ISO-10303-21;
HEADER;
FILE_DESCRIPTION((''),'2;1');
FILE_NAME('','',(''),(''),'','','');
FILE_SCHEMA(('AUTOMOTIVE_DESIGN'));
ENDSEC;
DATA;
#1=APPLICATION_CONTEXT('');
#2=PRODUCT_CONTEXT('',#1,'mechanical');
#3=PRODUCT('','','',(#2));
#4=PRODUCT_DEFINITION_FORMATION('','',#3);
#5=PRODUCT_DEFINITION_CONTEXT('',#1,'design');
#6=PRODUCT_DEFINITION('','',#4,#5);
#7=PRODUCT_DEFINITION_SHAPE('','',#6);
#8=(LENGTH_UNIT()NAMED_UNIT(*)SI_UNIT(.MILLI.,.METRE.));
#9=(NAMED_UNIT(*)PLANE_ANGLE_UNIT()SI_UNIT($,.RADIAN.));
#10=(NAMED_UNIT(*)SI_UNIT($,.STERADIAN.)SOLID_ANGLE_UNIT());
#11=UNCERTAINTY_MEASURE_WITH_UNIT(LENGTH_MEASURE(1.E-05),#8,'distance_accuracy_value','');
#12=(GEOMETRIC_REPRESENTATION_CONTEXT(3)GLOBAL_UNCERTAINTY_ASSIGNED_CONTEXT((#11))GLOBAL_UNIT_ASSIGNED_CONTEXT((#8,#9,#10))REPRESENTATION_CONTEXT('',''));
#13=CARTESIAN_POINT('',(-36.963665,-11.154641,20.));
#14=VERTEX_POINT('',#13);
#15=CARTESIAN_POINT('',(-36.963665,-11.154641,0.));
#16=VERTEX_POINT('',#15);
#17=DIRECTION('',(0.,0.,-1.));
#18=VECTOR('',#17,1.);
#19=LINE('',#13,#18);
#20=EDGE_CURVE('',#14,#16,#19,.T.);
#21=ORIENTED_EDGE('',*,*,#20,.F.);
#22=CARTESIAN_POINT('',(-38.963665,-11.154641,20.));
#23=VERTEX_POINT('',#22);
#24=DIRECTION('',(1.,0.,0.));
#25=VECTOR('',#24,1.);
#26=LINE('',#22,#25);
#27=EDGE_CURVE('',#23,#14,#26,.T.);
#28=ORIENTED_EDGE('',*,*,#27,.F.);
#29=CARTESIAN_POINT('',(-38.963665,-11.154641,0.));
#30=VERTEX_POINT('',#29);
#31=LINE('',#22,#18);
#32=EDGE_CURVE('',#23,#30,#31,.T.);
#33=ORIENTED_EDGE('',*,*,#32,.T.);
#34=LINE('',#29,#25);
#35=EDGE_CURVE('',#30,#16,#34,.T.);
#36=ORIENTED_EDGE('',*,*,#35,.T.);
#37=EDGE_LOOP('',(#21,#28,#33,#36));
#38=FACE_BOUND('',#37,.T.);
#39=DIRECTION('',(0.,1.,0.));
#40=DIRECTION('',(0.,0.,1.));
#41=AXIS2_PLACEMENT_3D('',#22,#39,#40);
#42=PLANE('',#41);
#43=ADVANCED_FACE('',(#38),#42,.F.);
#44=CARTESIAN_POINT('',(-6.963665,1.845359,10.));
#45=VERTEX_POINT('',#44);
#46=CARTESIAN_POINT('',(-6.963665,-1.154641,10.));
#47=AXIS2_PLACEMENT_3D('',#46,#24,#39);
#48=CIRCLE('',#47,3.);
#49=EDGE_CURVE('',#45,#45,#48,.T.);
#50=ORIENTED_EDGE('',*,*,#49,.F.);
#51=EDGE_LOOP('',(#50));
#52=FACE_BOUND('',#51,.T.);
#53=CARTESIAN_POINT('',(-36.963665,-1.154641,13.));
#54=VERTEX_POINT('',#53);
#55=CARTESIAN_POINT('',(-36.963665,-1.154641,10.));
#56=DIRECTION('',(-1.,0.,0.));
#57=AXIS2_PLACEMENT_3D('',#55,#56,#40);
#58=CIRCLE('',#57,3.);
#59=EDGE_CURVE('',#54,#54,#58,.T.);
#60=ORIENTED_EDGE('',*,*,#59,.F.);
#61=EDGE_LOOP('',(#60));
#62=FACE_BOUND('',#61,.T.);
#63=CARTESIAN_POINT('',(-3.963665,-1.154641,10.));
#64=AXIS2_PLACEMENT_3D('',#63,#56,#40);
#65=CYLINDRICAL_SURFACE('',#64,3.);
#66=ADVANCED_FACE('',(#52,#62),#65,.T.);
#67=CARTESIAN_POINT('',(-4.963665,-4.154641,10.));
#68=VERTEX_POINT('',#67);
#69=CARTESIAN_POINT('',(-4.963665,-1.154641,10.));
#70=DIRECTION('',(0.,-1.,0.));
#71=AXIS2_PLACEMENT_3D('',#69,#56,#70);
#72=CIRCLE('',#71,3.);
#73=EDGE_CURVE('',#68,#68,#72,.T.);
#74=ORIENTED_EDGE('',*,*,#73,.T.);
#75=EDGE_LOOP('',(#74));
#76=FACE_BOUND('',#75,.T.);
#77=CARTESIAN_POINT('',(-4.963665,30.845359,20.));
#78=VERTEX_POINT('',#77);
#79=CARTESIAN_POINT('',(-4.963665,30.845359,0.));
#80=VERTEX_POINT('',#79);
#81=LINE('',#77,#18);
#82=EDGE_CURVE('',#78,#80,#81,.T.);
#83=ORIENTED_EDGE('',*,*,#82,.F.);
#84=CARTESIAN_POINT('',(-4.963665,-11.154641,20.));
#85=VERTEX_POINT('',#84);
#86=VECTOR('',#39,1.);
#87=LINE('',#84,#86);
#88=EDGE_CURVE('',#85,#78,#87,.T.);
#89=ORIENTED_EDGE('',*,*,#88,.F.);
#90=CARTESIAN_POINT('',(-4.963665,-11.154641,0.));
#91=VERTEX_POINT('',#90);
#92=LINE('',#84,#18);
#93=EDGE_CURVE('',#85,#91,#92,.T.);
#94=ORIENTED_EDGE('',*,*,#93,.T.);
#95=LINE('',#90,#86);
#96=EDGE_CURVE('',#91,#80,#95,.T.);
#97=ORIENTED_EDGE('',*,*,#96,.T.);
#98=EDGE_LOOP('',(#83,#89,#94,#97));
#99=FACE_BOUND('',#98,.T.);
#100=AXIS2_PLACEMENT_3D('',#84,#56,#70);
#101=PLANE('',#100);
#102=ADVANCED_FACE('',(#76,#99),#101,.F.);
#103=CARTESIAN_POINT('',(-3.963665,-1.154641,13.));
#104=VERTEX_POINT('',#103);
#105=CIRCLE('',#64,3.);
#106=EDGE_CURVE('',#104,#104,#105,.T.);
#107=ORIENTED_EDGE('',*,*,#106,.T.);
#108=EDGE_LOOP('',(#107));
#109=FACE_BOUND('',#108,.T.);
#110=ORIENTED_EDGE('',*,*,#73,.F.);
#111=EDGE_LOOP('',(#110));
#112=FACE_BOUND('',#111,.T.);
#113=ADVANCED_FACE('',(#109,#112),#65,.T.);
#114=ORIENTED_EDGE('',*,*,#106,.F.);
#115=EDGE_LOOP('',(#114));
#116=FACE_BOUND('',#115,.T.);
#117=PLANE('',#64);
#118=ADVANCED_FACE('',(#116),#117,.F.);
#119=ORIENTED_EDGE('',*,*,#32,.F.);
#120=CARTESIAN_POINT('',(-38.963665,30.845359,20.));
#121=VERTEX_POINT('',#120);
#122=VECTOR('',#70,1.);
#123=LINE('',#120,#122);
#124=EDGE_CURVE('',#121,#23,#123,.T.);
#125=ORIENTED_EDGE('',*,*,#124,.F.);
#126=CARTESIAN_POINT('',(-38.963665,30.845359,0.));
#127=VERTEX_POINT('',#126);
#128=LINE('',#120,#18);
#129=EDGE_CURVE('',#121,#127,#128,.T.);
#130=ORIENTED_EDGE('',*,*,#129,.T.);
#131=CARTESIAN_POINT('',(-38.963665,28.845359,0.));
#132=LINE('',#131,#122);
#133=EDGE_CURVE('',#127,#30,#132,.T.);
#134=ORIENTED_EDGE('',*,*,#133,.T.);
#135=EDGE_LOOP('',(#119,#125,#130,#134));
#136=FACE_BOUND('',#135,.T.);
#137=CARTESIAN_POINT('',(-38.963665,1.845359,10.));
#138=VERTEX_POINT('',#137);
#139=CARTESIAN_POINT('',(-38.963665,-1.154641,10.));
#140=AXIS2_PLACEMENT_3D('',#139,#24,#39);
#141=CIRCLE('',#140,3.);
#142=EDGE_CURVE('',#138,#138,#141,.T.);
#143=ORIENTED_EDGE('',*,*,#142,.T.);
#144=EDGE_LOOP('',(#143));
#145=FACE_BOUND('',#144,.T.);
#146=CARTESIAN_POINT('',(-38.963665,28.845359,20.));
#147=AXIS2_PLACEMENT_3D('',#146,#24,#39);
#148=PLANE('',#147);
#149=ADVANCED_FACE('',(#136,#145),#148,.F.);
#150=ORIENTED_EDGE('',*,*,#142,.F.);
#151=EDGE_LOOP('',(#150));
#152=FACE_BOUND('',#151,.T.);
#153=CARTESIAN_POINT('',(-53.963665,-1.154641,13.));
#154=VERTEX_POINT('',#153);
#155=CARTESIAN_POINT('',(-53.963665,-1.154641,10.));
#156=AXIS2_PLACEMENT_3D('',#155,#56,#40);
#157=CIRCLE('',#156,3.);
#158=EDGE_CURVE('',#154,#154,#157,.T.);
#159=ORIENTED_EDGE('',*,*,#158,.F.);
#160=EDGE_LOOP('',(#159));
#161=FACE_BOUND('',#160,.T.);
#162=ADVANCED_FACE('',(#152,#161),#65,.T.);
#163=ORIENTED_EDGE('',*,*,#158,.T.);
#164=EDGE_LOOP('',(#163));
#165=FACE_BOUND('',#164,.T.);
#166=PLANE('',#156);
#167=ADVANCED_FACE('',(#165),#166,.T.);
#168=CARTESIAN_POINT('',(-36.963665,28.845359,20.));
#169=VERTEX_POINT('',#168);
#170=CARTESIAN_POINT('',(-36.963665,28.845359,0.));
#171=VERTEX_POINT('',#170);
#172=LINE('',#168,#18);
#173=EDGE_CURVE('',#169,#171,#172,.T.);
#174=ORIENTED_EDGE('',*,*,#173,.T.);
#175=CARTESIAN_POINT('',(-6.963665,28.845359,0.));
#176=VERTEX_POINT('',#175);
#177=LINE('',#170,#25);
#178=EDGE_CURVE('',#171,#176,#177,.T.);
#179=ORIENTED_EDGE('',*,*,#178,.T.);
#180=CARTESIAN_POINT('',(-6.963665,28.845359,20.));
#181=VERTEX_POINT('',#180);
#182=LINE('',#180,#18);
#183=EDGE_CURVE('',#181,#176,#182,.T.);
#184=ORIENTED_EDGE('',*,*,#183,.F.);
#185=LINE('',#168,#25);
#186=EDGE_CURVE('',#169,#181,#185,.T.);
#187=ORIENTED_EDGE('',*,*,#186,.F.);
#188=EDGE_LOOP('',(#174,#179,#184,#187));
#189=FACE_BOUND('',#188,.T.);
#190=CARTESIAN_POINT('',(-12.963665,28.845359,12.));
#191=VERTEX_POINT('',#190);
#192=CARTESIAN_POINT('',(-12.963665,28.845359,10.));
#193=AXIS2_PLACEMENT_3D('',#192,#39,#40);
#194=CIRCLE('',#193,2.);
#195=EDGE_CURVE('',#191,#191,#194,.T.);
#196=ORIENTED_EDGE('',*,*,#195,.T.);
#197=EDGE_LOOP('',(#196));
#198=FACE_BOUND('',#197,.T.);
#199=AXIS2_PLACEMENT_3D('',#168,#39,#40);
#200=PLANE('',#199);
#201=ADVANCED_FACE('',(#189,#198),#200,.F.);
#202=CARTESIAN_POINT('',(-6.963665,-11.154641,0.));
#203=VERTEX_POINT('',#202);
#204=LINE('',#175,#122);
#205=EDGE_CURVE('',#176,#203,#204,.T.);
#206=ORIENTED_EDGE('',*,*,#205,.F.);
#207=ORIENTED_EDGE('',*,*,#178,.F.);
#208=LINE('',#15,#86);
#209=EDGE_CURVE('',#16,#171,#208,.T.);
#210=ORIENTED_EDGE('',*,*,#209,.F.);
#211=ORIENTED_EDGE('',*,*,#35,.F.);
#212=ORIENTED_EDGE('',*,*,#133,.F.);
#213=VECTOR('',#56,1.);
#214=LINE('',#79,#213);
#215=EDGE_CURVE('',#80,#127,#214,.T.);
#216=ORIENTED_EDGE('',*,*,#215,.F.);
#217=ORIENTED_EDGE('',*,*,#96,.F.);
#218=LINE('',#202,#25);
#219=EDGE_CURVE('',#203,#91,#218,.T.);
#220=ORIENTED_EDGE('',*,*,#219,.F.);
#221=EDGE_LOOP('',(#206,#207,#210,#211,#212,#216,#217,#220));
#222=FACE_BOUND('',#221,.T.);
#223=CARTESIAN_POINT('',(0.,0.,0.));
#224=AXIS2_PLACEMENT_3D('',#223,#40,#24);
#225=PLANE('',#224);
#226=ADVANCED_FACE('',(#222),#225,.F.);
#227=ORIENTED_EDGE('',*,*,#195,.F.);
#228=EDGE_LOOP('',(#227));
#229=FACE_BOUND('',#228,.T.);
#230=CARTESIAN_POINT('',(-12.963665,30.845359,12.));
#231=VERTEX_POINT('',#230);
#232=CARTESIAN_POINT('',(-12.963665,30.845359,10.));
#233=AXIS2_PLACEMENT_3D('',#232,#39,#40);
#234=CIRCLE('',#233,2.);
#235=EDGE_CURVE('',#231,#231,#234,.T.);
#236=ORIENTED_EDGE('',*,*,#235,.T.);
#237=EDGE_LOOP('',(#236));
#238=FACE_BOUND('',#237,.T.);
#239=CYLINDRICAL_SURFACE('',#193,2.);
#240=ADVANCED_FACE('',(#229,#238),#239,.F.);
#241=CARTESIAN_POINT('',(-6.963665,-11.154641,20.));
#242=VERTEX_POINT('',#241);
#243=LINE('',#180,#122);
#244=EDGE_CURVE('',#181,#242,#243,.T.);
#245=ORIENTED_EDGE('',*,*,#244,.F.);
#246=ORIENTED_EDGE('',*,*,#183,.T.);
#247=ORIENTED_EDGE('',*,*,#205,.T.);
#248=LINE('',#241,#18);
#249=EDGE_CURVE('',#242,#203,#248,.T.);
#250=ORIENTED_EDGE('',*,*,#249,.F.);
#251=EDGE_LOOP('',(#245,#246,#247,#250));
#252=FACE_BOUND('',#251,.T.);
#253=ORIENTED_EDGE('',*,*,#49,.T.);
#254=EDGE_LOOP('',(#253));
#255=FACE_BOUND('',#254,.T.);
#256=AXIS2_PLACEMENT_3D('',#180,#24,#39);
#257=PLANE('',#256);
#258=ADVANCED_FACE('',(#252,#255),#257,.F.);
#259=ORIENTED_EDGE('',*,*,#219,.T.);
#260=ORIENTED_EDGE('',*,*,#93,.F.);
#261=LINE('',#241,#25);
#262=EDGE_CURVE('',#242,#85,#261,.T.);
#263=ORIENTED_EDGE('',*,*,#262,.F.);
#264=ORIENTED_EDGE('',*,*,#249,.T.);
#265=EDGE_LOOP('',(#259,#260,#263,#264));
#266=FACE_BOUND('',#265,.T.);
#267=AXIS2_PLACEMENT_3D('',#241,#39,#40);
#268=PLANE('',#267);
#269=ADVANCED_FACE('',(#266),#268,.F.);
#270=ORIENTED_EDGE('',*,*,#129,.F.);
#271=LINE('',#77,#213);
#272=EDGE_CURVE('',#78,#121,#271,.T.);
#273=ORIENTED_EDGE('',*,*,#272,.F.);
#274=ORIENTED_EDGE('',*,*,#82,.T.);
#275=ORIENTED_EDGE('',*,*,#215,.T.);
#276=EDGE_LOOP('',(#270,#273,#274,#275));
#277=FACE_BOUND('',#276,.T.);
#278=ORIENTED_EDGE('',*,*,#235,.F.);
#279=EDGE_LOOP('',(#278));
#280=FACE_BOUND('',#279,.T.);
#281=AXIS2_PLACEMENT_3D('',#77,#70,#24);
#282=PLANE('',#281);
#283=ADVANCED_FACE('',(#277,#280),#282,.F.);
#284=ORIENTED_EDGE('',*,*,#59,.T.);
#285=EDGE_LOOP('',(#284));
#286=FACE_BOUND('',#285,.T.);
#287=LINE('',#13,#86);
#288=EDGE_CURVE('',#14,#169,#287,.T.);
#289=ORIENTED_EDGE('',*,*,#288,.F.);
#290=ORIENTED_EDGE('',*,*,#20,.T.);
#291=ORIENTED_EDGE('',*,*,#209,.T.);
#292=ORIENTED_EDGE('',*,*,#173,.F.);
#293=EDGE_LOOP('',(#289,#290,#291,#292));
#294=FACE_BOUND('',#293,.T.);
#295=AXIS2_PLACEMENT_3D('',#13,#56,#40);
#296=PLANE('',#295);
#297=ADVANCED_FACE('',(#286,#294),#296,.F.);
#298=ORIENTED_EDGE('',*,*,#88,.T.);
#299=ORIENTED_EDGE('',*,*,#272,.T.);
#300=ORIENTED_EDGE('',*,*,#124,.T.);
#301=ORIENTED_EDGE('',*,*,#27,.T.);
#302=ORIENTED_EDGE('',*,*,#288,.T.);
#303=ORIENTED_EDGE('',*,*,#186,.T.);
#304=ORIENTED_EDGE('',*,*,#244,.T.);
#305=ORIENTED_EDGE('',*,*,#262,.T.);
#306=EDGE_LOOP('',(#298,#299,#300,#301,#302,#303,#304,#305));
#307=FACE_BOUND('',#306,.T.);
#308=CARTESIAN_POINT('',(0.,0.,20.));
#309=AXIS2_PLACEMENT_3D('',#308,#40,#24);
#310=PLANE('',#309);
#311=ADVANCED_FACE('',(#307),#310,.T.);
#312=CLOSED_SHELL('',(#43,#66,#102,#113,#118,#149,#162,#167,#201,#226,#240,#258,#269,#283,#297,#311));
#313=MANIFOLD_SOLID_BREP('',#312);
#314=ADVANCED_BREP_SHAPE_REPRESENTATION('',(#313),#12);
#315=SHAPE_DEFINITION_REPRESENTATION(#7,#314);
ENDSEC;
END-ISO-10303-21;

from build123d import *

# Parameters (mm, degrees)
EXTRUDE_1_DEPTH      = 20
SKETCH_3_R           = 3
EXTRUDE_2_DEPTH      = 15
EXTRUDE_2_DEPTH_BACK = 35
SKETCH_4_R           = 2
CUT_EXTRUDE_1_DEPTH  = 2


with BuildPart() as part:
    # 草图1 → 凸台-拉伸1 (new body)
    with BuildSketch(Plane.XY):
        Polygon((-38.9636651, 28.845358616), (-38.9636651, -11.154641384), (-36.9636651, -11.154641384), (-36.9636651, 28.845358616), (-6.9636651, 28.845358616), (-6.9636651, -11.154641384), (-4.9636651, -11.154641384), (-4.9636651, 30.845358616), (-38.9636651, 30.845358616), align=None)
    extrude(amount=EXTRUDE_1_DEPTH)

    # 草图3 → 凸台-拉伸2 (add, two sides)
    with BuildSketch(Plane.ZY.offset(38.9636651)) as extrude_2_sk:
        with Locations((10, -1.154641384)):
            Circle(SKETCH_3_R)
    extrude(amount=EXTRUDE_2_DEPTH)
    extrude(extrude_2_sk.sketch, amount=-EXTRUDE_2_DEPTH_BACK)

    # 草图4 → 切除-拉伸1 (cut)
    with BuildSketch(Plane(origin=(0, 30.845358616, 0), x_dir=(1, 0, 0), z_dir=(0, 1, 0))):
        with Locations((-12.9636651, -10)):
            Circle(SKETCH_4_R)
    extrude(amount=-CUT_EXTRUDE_1_DEPTH, mode=Mode.SUBTRACT)


solid = part.part
